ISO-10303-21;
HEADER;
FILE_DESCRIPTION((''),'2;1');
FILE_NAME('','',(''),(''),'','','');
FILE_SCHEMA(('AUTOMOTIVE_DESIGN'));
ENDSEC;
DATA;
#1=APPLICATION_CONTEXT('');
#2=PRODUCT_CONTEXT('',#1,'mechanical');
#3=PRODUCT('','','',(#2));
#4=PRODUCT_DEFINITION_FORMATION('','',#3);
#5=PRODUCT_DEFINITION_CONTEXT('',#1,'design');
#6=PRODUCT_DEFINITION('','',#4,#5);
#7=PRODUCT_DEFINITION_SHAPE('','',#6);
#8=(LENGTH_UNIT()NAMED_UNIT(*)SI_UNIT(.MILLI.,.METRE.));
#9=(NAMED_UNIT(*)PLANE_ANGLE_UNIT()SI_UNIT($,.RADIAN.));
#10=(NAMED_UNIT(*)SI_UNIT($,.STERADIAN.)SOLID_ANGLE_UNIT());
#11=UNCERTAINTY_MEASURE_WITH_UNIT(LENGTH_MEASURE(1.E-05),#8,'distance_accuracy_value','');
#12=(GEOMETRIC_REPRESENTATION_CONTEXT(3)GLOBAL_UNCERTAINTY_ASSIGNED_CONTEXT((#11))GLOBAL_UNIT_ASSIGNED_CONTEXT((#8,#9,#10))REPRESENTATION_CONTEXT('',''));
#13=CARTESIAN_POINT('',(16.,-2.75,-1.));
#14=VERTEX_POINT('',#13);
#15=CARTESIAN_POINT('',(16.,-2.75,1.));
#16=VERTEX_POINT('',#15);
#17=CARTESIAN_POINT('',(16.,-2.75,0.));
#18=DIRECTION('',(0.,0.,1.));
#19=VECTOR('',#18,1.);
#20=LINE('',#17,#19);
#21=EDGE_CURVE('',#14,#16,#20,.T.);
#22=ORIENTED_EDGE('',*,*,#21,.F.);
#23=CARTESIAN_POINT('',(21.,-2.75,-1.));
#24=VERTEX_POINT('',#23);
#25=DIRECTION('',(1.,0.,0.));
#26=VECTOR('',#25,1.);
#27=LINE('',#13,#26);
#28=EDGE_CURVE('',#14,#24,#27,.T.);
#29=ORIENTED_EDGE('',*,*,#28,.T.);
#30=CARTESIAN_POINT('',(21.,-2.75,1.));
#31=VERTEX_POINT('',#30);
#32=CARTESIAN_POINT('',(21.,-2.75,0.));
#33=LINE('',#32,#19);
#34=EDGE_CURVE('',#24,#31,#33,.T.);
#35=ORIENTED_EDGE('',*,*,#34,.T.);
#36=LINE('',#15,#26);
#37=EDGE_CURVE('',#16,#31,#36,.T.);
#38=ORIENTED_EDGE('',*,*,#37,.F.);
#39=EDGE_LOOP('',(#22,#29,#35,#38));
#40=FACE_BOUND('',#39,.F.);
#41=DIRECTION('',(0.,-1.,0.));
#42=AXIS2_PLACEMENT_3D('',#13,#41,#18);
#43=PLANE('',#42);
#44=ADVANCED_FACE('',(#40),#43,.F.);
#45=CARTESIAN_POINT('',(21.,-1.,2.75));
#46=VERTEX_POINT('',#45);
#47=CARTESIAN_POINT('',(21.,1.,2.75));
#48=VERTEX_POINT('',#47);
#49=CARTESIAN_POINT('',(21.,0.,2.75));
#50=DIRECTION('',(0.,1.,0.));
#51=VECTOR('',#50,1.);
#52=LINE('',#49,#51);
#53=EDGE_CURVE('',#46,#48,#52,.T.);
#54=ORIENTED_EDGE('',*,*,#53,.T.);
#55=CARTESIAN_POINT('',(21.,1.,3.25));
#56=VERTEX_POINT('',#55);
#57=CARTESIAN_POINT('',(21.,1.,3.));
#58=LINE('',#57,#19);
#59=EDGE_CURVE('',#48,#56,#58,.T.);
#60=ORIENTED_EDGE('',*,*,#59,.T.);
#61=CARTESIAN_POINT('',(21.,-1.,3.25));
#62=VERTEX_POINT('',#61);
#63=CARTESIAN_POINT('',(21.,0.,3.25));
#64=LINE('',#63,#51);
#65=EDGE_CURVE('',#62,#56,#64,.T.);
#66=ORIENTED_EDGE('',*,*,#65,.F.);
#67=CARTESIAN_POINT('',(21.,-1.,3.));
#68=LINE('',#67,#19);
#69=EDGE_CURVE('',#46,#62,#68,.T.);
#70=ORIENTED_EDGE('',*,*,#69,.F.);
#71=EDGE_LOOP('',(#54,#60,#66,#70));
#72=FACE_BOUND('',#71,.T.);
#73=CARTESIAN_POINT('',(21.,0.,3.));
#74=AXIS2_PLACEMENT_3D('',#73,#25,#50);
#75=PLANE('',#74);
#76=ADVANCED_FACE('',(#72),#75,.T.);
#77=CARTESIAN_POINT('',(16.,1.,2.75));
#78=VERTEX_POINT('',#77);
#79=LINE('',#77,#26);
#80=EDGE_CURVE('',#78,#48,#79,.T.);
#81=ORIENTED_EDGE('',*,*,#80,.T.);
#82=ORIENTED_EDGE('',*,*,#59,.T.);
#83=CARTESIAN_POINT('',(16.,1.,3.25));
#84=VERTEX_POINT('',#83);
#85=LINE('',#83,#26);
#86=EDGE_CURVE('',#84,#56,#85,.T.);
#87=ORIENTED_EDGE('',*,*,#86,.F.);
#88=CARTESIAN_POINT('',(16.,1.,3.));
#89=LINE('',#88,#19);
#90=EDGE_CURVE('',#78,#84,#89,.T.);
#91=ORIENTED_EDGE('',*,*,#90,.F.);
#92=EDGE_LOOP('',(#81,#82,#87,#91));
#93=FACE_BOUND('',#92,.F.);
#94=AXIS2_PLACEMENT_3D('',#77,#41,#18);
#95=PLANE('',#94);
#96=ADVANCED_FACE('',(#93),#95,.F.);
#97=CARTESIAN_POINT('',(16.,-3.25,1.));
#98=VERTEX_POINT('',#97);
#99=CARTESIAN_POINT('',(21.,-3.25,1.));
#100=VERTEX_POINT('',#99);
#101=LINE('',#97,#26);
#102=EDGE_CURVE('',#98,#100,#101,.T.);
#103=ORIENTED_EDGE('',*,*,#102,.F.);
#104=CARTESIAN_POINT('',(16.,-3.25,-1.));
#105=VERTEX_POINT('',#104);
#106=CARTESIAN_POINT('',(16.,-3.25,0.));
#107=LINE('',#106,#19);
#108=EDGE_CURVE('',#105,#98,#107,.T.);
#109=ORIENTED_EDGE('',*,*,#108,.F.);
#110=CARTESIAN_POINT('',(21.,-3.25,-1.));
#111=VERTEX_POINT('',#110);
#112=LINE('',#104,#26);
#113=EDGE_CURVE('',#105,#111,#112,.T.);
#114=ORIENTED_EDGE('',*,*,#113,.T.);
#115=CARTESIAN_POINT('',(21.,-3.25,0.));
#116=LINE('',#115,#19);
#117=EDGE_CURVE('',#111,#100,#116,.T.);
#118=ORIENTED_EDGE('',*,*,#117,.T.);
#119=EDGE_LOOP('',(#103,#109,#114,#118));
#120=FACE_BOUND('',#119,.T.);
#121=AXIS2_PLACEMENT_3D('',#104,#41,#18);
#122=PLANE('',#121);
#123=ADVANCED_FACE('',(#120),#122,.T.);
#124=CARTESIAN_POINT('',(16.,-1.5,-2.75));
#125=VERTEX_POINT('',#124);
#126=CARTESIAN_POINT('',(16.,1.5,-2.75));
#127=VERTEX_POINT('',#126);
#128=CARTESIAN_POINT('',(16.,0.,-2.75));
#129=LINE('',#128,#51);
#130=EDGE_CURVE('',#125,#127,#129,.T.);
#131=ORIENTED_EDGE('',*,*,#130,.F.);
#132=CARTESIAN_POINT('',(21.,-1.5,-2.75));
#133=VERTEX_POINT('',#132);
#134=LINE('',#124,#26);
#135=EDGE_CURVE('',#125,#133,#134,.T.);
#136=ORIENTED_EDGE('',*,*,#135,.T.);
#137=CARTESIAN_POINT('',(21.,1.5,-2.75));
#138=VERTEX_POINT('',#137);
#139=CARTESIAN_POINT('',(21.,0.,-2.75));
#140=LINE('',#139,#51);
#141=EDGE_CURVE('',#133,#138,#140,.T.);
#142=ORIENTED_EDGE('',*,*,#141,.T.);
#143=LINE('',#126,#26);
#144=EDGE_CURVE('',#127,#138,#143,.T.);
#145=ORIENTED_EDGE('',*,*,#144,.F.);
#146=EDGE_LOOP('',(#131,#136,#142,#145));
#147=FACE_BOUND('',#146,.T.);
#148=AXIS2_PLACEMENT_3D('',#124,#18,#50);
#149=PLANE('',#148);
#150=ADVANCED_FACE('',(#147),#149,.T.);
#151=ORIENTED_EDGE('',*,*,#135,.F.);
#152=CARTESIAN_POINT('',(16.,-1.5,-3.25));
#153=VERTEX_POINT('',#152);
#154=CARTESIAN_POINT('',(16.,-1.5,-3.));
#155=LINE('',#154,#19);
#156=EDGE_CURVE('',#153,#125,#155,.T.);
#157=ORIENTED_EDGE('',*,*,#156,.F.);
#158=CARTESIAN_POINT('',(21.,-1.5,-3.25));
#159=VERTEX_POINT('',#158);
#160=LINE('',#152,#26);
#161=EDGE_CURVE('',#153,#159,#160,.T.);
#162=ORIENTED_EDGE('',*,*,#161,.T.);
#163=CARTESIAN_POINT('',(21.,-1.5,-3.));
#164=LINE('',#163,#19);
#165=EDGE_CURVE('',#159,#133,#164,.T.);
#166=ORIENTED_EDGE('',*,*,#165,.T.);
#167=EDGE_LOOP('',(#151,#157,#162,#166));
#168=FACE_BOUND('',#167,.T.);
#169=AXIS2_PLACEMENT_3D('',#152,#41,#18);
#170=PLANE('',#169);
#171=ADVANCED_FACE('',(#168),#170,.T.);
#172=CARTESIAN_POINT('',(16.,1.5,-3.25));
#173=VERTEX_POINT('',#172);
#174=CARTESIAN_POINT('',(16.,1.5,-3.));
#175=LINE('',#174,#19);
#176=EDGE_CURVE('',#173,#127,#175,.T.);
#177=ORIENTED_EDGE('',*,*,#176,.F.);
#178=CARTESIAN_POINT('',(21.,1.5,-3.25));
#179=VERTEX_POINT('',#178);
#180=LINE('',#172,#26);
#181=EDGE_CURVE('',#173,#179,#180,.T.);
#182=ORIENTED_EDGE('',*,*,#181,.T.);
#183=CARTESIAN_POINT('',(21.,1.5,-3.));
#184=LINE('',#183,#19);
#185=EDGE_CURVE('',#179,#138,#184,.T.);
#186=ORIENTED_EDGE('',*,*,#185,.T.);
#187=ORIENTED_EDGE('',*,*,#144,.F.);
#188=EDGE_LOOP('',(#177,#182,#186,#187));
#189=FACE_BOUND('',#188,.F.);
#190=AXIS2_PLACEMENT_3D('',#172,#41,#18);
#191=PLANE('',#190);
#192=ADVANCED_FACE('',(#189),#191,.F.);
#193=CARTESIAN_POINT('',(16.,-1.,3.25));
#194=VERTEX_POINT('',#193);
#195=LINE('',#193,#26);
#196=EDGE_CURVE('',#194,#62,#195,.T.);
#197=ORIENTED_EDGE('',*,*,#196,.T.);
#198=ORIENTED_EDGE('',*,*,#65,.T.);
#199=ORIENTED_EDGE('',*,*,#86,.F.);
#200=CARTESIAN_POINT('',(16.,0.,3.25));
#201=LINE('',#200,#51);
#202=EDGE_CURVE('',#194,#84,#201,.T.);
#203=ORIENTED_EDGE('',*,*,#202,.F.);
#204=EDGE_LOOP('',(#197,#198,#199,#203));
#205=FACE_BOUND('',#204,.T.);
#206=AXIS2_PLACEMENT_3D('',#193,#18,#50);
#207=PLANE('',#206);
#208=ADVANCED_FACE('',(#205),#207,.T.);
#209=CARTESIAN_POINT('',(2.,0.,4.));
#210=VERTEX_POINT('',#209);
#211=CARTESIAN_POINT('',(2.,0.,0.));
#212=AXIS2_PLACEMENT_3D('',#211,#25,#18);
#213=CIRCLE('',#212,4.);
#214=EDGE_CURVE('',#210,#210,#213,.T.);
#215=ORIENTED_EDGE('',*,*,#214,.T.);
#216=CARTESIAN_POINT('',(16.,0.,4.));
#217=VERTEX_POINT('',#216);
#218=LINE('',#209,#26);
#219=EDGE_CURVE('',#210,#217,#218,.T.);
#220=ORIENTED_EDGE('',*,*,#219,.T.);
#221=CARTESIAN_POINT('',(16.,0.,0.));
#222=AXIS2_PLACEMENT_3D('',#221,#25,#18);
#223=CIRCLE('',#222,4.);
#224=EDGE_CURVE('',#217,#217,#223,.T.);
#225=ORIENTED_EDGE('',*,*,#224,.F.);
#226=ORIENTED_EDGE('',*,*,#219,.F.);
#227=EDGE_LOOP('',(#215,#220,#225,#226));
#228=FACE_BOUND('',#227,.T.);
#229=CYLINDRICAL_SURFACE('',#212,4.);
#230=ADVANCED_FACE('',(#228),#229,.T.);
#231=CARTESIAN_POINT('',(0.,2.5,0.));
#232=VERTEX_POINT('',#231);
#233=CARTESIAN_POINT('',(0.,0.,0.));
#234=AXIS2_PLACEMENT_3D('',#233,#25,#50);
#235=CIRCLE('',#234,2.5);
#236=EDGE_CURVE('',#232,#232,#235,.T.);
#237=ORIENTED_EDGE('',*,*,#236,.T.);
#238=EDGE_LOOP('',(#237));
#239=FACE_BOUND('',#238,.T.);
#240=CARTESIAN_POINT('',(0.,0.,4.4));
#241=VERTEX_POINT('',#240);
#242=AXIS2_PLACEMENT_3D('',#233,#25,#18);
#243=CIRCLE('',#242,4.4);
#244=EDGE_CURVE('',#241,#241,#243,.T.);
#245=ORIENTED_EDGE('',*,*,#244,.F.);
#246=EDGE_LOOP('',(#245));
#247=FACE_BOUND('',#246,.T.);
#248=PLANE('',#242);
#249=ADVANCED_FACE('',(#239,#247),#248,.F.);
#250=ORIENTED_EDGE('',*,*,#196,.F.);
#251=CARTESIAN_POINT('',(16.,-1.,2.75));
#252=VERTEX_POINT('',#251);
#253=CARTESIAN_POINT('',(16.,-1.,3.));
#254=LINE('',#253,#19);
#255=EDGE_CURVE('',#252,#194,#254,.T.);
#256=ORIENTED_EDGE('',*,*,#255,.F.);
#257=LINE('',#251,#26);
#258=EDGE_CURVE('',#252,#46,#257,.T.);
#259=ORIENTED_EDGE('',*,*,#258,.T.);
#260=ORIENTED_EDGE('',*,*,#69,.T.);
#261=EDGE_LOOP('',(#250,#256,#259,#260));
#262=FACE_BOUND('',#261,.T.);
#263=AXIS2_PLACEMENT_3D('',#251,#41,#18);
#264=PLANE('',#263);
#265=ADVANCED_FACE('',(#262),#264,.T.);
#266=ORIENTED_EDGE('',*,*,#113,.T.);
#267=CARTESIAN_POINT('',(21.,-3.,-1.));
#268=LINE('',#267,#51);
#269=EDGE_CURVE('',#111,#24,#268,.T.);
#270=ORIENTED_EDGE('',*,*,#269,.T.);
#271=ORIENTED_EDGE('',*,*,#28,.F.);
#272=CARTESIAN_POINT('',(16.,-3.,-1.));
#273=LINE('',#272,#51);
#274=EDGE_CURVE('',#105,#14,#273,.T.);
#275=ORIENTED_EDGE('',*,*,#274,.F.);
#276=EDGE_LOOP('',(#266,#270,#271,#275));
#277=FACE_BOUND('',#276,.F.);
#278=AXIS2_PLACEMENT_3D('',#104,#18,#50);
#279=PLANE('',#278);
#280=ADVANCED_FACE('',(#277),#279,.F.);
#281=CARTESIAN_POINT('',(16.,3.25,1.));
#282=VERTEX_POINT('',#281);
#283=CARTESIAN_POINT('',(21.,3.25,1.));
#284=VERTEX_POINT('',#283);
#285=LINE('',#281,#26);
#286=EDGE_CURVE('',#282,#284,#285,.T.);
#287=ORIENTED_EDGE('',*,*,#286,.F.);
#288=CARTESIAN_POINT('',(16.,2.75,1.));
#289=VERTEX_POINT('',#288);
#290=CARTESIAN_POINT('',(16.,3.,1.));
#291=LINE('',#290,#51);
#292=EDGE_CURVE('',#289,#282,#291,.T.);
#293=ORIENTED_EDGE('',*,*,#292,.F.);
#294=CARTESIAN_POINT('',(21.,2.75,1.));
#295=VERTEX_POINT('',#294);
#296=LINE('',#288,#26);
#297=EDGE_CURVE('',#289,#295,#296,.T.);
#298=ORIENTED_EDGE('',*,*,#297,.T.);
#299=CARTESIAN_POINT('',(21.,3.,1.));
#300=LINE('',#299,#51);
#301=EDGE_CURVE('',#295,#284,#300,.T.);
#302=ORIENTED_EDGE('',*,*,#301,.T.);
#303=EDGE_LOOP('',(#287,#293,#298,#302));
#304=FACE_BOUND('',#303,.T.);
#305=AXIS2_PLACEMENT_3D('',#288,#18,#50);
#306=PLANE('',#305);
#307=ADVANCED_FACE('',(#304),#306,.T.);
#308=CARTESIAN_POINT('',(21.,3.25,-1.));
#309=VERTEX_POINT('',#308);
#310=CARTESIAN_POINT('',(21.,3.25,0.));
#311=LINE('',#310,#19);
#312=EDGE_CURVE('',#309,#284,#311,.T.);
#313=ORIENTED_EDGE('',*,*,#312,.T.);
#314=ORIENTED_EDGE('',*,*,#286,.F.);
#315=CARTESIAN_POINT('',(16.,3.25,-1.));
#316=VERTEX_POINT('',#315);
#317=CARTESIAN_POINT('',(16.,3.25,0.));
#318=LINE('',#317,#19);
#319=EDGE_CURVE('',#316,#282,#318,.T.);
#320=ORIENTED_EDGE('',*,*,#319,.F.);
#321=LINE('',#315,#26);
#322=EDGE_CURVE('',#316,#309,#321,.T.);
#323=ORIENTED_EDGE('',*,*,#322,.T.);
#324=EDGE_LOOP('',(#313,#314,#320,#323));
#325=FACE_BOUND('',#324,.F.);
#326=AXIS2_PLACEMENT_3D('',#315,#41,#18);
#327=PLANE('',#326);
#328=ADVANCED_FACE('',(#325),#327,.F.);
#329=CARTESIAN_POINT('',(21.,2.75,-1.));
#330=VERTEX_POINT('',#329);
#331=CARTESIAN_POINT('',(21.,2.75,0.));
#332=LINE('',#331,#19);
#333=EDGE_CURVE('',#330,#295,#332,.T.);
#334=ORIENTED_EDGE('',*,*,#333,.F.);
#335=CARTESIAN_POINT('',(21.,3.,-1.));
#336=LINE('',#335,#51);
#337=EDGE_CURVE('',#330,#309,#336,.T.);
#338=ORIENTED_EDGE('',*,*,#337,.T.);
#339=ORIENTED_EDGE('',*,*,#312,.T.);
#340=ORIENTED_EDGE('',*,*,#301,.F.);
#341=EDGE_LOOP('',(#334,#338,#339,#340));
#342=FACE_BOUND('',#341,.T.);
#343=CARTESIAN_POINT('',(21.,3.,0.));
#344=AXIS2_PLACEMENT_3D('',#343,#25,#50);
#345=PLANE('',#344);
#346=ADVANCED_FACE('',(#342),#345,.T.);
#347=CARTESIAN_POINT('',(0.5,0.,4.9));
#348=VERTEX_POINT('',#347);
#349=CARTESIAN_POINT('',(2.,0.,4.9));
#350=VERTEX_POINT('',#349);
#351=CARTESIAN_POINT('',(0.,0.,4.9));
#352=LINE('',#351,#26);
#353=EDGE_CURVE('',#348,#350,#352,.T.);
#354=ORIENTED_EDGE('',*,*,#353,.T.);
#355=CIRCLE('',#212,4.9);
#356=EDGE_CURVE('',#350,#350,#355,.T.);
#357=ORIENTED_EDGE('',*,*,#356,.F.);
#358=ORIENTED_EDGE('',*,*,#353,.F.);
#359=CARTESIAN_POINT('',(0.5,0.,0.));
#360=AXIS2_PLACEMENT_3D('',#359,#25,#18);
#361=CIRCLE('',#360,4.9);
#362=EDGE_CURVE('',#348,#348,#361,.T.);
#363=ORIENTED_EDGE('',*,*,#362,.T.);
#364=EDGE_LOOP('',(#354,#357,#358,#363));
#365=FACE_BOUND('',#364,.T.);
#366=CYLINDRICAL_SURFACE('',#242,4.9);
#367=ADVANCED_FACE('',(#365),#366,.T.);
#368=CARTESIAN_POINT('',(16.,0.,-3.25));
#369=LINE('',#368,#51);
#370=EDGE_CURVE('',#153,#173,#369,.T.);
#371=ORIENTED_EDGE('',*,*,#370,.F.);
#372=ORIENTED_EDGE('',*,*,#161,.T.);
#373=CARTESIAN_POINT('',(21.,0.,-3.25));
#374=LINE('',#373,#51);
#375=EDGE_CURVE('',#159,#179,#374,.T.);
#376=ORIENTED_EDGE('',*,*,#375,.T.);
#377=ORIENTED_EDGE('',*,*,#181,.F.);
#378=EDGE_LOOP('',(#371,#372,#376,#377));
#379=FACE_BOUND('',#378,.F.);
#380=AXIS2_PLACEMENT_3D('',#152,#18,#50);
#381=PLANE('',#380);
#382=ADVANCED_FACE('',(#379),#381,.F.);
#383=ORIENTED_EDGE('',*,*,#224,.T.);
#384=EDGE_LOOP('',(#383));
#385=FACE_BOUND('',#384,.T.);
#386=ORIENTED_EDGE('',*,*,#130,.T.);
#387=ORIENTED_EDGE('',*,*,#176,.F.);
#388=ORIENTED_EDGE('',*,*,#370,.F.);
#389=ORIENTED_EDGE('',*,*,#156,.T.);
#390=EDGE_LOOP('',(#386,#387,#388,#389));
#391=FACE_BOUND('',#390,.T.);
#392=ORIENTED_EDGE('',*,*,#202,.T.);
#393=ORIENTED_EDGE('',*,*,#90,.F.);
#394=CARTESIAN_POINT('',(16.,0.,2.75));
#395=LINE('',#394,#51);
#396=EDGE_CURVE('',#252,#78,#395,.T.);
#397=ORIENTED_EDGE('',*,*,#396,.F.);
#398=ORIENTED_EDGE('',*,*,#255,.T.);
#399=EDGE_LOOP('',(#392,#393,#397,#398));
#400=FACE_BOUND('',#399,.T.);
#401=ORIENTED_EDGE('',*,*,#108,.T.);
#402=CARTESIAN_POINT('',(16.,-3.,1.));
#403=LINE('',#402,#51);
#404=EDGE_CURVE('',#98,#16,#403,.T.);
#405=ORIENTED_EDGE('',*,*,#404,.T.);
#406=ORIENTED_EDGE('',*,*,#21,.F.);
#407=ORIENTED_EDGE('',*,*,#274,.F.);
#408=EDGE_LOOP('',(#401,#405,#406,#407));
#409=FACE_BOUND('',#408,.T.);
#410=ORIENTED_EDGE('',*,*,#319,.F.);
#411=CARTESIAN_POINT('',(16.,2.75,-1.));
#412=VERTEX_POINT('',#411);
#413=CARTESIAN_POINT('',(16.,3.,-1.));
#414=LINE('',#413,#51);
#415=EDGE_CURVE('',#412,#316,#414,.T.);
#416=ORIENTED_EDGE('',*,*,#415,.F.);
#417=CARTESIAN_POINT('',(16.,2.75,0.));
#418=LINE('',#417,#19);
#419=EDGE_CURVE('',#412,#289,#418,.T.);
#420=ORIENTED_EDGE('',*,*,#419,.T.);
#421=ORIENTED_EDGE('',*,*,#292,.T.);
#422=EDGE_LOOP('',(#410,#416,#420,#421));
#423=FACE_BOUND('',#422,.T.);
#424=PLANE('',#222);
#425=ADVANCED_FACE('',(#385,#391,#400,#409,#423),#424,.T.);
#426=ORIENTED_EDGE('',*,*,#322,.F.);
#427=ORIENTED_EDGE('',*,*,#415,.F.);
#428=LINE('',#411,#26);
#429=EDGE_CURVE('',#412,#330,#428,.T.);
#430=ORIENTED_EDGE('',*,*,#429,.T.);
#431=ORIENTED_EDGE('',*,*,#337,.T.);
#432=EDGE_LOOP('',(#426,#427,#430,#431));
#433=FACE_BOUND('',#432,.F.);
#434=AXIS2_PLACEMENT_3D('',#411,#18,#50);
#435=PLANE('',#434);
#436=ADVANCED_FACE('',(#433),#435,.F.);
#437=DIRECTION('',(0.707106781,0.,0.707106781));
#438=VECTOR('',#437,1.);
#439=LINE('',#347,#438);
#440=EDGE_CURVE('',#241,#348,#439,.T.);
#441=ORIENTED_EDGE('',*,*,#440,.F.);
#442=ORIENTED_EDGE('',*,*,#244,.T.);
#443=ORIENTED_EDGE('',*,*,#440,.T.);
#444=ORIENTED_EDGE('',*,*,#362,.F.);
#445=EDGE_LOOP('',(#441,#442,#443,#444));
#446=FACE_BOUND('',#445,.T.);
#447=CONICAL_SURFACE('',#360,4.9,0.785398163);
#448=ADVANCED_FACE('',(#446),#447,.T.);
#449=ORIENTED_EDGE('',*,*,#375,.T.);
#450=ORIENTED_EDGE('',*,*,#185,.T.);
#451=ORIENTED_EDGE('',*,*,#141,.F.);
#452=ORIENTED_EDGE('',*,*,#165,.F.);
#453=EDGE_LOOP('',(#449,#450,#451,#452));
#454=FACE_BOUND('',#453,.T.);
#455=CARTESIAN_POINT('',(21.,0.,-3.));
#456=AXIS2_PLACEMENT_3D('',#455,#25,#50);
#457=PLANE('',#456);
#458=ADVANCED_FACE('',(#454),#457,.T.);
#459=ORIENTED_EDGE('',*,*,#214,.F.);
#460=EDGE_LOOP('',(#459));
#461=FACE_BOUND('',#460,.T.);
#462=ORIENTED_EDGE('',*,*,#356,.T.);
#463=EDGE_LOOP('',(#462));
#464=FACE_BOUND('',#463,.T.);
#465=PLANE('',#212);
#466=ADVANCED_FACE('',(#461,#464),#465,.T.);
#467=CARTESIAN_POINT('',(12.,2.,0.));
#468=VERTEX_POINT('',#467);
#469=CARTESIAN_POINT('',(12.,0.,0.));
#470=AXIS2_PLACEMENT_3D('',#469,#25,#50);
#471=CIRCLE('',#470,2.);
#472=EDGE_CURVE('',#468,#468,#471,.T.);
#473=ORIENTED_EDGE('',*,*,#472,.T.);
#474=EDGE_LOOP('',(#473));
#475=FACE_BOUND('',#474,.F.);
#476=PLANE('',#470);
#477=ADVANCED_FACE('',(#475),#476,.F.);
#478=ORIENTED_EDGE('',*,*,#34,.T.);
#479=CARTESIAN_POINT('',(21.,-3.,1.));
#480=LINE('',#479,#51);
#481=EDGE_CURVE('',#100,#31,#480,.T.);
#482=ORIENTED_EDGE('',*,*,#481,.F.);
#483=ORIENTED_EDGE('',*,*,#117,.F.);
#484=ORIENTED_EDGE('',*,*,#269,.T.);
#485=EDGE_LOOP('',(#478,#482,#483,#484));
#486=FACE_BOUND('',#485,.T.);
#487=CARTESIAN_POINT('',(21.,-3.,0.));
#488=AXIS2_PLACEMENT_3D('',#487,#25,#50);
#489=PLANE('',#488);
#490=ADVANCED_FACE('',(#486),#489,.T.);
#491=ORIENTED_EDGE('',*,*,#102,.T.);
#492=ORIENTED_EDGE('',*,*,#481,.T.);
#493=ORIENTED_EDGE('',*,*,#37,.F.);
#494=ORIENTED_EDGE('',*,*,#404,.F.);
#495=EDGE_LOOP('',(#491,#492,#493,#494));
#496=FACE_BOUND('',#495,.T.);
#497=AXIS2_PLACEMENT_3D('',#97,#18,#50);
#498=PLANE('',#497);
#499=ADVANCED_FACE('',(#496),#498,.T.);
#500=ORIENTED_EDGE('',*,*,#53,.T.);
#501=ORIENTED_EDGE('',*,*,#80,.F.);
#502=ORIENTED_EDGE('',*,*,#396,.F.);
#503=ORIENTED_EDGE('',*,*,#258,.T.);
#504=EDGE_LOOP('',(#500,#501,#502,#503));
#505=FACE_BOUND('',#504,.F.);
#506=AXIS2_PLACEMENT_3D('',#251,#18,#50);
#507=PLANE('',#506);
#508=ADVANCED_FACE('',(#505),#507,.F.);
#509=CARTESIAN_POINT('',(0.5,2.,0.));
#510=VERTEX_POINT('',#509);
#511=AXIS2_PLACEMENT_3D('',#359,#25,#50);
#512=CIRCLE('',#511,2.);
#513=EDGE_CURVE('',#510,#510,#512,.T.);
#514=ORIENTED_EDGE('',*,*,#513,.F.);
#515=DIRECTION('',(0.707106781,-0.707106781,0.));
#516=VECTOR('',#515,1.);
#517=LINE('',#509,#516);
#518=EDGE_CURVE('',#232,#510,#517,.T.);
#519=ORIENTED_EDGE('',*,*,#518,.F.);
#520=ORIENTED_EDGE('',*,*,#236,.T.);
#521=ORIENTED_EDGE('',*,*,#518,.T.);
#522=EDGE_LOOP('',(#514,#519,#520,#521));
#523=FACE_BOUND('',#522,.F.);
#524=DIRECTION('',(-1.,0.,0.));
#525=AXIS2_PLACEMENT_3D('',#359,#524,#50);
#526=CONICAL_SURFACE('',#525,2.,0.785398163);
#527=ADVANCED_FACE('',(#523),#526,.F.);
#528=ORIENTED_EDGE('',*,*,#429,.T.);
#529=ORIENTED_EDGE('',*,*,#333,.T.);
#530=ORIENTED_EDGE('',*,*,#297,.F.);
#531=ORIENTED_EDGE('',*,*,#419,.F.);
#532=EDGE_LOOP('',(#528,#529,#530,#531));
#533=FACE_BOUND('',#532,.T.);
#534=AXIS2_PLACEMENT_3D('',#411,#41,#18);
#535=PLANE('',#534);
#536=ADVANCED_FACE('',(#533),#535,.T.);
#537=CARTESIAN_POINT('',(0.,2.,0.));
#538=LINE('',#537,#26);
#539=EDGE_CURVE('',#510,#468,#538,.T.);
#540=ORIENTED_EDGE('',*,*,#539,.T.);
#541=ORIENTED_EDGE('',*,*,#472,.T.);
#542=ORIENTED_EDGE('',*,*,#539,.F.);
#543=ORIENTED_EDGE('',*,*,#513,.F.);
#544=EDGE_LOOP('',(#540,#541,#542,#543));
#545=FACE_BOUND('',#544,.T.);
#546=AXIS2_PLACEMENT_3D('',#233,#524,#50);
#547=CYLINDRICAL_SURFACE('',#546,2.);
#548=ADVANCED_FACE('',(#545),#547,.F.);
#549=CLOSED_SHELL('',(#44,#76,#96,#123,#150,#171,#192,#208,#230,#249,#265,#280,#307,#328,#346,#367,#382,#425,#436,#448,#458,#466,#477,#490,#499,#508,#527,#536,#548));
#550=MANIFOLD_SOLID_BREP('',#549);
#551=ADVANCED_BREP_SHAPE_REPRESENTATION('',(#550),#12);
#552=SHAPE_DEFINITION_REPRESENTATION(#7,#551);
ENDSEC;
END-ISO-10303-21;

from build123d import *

# Parameters (mm, degrees)
SKETCH001_W   = 3
SKETCH001_H   = 0.5
SKETCH001_W_2 = 2
SKETCH001_W_3 = 0.5
SKETCH001_H_2 = 2
PAD_DEPTH     = 5
SKETCH002_R   = 2
POCKET_DEPTH  = 12
CHAMFER_SIZE  = 0.5


with BuildPart() as part:
    # Sketch → Revolution (revolve)
    with BuildSketch(Plane.XZ):
        Polygon((0, 0), (0, 4.9), (2, 4.9), (2, 4), (16, 4), (16, 0), align=None)
    revolve(axis=Axis((0, 0, 0), (1, 0, 0)))

    # Sketch001 → Pad (new body)
    with BuildSketch(Plane.YZ.offset(16)):
        with Locations((0, -3)):
            Rectangle(SKETCH001_W, SKETCH001_H)
        with Locations((0, 3)):
            Rectangle(SKETCH001_W_2, SKETCH001_H)
        with Locations((3, 0)):
            Rectangle(SKETCH001_W_3, SKETCH001_H_2)
        with Locations((-3, 0)):
            Rectangle(SKETCH001_W_3, SKETCH001_H_2)
    extrude(amount=PAD_DEPTH)

    # Sketch002 → Pocket (cut)
    with BuildSketch(Plane.YZ):
        Circle(SKETCH002_R)
    extrude(amount=POCKET_DEPTH, mode=Mode.SUBTRACT)

    # Chamfer
    chamfer_edges = [part.edges().sort_by_distance(p)[0] for p in [
        (0, 0, -4.9),
        (0, -2, 0),
    ]]
    chamfer(chamfer_edges, length=CHAMFER_SIZE)


solid = part.part
